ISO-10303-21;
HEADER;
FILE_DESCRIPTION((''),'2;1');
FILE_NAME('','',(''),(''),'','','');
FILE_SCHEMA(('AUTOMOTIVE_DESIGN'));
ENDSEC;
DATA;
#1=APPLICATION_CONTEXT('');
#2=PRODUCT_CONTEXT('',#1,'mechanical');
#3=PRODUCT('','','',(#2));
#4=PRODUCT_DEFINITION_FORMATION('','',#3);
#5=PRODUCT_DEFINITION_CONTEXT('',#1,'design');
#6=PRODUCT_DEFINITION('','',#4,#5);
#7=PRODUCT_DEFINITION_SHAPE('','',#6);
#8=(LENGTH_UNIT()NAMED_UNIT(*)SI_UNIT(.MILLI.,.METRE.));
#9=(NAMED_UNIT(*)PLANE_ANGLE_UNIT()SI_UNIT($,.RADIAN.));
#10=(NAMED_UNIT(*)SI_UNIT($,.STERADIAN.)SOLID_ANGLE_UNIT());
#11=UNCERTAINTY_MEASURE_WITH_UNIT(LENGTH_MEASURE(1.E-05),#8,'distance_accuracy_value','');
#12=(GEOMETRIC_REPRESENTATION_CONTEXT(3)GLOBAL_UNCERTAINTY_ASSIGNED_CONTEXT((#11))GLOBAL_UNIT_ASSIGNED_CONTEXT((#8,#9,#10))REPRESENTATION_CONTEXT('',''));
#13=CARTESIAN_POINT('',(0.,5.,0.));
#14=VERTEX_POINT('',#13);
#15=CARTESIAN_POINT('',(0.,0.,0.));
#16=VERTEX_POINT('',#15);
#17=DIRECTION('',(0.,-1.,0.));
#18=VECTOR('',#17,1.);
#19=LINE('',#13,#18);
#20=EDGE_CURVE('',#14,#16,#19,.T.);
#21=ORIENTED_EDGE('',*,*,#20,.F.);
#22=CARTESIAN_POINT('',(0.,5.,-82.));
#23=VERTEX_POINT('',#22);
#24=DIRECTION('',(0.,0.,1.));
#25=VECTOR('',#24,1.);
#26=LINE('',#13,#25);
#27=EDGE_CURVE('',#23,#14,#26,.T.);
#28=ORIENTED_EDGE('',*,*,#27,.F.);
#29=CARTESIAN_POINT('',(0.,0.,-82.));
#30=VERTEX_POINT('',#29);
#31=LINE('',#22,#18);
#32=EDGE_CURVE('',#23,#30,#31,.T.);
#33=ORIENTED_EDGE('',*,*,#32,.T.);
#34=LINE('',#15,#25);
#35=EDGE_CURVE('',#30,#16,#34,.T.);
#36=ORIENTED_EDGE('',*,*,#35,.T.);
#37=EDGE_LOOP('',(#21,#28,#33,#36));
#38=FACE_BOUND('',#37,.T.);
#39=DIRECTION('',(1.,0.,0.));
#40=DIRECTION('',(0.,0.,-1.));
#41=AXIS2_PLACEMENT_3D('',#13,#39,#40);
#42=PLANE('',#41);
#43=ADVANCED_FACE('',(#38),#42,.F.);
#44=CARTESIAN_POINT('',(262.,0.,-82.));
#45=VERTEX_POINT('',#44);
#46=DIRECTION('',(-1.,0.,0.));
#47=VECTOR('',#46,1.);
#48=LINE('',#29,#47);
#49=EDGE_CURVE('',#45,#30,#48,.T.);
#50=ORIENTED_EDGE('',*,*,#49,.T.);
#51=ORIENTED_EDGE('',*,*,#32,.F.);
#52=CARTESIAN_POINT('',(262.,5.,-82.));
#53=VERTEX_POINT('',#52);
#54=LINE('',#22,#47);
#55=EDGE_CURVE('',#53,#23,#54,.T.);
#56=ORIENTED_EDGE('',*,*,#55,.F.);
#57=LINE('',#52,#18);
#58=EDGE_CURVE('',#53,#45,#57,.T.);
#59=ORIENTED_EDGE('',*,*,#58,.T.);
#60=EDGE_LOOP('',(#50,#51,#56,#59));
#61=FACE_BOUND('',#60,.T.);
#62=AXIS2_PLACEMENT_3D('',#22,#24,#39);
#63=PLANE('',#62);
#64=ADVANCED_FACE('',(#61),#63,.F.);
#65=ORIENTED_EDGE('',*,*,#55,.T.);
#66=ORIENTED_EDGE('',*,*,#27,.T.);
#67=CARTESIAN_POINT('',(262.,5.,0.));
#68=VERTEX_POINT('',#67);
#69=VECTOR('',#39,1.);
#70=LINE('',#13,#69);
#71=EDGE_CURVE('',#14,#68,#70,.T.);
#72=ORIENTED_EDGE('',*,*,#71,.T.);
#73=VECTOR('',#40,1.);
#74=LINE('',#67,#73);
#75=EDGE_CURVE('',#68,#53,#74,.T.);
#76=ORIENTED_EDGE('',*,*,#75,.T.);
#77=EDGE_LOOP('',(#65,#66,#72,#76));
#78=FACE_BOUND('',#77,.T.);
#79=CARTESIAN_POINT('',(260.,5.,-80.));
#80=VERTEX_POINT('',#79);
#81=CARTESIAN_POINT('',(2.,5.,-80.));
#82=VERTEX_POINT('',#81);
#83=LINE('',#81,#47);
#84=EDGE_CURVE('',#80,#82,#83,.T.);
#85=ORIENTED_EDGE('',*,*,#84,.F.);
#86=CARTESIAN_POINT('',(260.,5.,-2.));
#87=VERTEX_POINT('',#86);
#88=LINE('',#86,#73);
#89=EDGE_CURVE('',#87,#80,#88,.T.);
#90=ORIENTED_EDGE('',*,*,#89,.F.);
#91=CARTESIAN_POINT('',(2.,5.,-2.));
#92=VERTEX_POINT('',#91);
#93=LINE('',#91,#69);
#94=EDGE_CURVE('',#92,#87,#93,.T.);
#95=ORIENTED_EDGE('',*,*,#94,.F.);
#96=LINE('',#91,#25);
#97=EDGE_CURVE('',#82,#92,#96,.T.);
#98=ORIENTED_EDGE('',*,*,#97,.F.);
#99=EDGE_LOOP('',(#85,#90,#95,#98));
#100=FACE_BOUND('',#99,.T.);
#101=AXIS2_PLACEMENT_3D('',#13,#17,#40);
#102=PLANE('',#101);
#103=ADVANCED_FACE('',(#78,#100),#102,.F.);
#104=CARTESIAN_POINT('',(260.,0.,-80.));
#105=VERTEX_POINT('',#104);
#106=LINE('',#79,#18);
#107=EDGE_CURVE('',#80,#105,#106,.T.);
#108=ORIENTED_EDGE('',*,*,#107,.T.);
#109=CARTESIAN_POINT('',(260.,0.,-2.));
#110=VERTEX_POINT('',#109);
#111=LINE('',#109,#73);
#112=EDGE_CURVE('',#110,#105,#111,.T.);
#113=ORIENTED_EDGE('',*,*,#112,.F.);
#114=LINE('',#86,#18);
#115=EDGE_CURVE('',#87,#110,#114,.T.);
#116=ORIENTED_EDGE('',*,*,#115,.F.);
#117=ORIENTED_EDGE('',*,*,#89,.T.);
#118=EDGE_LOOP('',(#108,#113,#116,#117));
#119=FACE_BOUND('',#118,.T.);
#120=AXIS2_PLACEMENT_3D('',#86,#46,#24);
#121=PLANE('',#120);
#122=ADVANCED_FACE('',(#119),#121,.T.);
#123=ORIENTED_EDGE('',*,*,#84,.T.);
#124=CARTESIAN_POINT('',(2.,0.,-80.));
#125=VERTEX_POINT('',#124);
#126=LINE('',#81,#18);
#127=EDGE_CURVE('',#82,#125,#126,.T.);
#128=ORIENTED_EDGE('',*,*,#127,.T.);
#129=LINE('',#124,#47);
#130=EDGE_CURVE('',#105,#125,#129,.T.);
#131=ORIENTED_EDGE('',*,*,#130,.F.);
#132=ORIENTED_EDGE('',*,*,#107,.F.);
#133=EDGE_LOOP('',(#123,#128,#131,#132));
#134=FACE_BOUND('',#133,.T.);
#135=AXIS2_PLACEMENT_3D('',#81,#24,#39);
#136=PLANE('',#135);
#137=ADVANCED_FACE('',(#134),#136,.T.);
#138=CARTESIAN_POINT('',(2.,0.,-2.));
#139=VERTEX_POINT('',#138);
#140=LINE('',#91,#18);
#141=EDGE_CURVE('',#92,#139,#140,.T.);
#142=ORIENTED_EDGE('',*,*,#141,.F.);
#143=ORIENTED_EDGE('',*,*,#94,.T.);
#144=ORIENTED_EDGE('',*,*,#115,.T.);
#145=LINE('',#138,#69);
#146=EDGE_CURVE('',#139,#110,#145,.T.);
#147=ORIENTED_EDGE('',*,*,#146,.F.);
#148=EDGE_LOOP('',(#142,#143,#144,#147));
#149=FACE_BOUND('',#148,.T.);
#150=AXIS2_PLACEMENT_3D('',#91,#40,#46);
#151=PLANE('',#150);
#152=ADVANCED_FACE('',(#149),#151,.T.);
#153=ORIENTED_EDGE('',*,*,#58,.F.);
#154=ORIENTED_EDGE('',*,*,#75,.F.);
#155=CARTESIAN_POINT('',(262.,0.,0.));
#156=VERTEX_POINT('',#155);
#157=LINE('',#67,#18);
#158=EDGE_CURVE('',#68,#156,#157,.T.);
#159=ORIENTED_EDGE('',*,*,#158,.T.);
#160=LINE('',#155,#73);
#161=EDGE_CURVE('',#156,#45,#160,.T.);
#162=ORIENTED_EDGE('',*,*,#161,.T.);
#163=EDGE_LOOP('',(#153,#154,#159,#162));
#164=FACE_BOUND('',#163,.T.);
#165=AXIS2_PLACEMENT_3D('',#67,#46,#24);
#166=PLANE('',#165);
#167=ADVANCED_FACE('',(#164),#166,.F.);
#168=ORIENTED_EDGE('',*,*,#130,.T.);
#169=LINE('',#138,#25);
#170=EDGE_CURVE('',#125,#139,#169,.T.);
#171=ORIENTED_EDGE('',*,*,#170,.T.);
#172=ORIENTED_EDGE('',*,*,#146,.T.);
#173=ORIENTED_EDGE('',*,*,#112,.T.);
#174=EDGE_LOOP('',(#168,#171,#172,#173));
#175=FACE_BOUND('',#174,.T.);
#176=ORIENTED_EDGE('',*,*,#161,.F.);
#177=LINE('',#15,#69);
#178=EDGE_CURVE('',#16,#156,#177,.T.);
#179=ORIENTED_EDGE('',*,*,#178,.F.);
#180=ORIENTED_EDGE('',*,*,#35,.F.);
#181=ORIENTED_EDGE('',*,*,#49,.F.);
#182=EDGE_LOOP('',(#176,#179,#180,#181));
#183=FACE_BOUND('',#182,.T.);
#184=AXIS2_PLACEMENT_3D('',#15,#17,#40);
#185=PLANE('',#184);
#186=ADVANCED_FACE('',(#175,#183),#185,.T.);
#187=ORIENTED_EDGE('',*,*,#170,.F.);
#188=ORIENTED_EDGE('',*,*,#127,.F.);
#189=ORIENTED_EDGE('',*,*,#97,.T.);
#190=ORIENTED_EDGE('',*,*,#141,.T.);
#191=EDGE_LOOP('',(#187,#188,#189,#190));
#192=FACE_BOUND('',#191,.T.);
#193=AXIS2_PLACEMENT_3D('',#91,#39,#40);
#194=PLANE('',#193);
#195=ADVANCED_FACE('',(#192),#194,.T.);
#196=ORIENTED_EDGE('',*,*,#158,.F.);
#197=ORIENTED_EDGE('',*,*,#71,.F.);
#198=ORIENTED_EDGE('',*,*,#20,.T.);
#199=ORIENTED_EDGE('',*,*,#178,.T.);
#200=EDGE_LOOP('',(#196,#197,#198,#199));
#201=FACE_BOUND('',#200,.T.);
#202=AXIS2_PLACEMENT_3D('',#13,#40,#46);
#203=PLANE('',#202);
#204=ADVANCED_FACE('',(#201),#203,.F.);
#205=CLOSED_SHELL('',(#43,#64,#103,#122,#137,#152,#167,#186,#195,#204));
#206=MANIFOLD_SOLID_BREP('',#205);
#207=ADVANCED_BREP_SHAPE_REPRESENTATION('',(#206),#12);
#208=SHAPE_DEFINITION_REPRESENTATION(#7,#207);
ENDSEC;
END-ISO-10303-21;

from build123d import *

# Parameters (mm, degrees)
SKETCH1_W           = 262
SKETCH1_H           = 82
SKETCH1_W_2         = 258
SKETCH1_H_2         = 78
BOSS_EXTRUDE1_DEPTH = 5


with BuildPart() as part:
    # Sketch1 → Boss-Extrude1 (new body)
    with BuildSketch(Plane(origin=(0, 0, 0), x_dir=(1, 0, 0), z_dir=(0, 1, 0))):
        with Locations((131, 41)):
            Rectangle(SKETCH1_W, SKETCH1_H)
        with Locations((131, 41)):
            Rectangle(SKETCH1_W_2, SKETCH1_H_2, mode=Mode.SUBTRACT)
    extrude(amount=BOSS_EXTRUDE1_DEPTH)


solid = part.part
